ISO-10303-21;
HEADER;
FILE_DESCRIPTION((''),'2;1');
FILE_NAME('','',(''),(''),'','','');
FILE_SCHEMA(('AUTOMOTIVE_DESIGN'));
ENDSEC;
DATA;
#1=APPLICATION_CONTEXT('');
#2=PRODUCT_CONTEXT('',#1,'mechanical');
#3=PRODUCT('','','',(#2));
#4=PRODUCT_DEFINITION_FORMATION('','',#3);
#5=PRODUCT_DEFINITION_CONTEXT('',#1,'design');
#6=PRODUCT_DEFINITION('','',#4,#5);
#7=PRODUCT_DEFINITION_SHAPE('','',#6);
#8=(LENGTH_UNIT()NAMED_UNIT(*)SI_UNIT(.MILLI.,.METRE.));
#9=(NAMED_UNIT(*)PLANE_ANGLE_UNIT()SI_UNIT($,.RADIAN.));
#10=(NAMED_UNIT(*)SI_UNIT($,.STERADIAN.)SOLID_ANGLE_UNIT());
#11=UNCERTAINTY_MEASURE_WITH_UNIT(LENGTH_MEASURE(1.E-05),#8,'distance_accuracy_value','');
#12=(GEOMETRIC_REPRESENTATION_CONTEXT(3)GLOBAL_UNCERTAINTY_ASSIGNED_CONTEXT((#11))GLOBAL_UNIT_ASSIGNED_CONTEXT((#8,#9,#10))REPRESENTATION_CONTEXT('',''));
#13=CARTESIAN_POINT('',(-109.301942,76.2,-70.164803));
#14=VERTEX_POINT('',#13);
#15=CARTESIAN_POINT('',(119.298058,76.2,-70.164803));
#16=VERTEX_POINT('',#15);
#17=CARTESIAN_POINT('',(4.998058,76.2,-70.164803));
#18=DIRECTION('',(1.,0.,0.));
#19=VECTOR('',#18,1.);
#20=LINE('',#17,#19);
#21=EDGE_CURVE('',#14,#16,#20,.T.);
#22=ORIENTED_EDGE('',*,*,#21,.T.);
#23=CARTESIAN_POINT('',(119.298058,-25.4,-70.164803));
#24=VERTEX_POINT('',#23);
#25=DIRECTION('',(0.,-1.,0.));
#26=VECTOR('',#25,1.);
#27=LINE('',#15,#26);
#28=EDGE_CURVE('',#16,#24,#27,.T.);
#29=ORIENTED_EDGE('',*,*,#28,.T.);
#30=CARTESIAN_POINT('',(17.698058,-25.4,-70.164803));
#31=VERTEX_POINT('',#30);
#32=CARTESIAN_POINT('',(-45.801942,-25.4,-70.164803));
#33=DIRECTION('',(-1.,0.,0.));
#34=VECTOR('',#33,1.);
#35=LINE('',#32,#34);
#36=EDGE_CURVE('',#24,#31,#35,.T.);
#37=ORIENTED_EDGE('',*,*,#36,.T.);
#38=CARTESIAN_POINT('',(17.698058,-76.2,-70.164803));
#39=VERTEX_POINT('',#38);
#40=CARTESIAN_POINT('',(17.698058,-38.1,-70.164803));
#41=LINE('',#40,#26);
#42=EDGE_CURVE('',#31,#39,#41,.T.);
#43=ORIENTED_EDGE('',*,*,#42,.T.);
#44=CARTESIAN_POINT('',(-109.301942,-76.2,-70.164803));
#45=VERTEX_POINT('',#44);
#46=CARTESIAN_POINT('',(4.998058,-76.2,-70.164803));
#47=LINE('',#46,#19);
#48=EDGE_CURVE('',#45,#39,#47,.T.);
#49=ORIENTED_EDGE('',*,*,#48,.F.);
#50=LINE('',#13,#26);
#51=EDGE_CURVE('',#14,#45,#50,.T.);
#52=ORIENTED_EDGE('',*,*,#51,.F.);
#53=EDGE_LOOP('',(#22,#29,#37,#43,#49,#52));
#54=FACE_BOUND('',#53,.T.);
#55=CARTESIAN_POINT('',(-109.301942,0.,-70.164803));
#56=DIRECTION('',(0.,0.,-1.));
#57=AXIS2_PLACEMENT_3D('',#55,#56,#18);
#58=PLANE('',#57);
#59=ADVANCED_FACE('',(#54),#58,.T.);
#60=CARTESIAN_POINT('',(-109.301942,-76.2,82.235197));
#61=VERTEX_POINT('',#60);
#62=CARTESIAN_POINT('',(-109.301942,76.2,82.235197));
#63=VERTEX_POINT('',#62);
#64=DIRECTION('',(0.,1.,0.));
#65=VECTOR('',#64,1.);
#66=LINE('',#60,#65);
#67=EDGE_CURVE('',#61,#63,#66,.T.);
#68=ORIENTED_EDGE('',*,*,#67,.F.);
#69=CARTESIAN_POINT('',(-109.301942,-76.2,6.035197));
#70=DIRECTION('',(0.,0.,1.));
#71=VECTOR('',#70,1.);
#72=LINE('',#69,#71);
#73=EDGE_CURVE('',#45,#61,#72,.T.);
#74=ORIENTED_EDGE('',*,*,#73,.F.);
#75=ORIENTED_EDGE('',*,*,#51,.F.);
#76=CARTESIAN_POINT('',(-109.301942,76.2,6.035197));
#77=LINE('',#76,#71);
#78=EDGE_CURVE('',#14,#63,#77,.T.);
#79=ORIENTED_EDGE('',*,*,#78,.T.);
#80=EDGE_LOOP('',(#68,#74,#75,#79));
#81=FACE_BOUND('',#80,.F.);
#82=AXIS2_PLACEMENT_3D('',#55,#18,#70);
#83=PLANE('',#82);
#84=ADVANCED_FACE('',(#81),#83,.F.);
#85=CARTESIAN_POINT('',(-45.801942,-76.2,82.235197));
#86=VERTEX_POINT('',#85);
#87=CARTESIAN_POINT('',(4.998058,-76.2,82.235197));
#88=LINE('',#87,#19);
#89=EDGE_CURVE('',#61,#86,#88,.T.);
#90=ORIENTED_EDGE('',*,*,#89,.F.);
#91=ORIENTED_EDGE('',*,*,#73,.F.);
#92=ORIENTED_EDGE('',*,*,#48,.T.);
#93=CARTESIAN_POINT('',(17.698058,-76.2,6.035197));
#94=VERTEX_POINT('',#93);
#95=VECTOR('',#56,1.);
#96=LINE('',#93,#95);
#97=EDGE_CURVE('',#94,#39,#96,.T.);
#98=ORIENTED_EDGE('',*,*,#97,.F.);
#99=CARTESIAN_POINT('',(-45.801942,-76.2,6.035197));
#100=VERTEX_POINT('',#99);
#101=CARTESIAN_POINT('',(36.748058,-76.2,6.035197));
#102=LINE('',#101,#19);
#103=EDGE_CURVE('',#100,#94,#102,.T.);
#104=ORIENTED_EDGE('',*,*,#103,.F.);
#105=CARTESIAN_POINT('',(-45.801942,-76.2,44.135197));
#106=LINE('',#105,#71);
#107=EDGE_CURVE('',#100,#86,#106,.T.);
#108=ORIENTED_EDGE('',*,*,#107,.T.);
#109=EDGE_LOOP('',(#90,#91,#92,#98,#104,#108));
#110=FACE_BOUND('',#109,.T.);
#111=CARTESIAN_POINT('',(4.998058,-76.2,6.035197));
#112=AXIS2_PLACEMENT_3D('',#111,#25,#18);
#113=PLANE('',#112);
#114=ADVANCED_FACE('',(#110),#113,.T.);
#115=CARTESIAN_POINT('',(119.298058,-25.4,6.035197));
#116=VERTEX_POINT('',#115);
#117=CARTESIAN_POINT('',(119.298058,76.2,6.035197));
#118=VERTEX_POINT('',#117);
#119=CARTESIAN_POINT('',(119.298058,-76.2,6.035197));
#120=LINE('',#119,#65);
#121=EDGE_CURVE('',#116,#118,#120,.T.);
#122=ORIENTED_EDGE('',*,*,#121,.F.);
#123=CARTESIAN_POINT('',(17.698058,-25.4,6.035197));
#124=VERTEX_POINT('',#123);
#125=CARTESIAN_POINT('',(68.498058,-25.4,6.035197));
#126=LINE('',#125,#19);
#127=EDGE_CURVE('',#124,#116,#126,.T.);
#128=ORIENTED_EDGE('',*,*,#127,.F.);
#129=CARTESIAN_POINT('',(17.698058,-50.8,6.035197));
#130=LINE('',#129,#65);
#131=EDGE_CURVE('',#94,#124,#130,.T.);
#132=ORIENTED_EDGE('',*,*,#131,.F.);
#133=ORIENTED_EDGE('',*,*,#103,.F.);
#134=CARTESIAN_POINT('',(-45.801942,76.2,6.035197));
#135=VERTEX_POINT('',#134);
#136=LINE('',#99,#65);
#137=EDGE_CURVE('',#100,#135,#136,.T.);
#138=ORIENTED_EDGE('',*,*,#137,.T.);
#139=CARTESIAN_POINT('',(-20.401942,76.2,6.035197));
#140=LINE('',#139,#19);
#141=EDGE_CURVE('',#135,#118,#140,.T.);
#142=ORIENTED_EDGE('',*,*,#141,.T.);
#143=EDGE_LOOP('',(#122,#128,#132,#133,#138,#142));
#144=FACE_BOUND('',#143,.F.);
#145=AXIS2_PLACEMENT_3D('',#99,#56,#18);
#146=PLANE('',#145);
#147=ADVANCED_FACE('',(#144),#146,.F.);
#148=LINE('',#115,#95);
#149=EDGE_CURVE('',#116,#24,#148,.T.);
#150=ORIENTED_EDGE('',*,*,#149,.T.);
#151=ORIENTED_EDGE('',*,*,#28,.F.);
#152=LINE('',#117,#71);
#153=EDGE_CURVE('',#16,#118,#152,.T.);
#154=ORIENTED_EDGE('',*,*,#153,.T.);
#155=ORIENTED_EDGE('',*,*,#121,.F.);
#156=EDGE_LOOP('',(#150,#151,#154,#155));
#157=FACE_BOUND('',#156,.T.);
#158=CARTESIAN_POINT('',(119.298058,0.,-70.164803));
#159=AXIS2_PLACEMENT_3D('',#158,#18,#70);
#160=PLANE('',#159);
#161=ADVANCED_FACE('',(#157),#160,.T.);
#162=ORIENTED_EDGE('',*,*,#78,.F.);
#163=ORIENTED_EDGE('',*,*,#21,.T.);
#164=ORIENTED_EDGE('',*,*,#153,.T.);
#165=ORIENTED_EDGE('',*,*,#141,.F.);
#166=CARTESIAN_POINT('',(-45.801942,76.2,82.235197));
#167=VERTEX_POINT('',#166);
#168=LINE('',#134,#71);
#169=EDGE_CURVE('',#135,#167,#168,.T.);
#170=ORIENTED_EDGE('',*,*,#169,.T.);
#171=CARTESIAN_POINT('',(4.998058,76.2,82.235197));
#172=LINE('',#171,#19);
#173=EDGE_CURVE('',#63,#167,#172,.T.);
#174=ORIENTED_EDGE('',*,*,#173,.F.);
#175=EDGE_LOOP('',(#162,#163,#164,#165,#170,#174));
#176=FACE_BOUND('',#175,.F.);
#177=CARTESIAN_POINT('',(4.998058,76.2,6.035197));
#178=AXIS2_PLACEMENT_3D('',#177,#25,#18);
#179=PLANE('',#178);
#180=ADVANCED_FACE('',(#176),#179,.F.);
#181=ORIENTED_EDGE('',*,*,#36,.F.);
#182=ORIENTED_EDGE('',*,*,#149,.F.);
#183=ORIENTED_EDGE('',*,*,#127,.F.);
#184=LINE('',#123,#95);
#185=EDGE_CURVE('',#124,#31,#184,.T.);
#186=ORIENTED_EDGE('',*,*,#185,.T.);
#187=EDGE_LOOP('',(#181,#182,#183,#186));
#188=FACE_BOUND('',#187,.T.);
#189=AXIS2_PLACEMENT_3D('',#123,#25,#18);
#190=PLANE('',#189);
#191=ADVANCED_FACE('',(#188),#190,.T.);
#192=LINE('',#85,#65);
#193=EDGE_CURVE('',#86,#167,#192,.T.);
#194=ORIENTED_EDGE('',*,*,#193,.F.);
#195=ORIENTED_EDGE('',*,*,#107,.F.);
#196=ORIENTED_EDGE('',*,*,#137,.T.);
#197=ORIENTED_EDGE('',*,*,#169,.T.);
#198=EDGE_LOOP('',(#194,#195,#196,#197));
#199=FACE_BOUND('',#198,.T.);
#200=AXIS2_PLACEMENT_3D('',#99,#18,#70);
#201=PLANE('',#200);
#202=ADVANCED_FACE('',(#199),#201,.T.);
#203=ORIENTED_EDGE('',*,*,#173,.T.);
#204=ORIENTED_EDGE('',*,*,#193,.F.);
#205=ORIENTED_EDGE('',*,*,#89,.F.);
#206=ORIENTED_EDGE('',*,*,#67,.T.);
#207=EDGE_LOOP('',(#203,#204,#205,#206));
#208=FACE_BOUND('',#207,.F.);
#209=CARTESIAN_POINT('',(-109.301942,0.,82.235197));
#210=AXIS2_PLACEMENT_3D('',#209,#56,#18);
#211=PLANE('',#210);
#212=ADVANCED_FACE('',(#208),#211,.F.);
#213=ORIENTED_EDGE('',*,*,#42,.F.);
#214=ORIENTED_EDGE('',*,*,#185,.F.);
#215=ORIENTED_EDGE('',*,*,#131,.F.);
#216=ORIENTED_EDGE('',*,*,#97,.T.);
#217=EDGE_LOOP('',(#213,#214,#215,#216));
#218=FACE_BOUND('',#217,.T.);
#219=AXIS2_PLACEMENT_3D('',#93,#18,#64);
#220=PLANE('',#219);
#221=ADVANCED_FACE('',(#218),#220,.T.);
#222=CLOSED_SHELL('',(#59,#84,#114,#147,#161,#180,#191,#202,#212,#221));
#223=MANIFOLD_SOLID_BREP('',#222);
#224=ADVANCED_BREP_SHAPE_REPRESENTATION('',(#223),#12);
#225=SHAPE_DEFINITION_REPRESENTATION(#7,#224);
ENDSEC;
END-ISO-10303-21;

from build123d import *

# Parameters (mm, degrees)
F0_W     = 228.6
F0_H     = 152.4
F1_DEPTH = 76.2
F2_W     = 165.1
F2_H     = 76.2
F3_DEPTH = 152.401
F4_W     = 101.6
F4_H     = 50.8
F5_DEPTH = 76.201


with BuildPart() as f1:
    # F0 (on Front) → F1 (new body, symmetric)
    with BuildSketch(Plane.XZ):
        with Locations((4.998058, 6.035197)):
            Rectangle(F0_W, F0_H)
    extrude(amount=F1_DEPTH, both=True)

    # F2 (on face) → F3 (cut, through all)
    with BuildSketch(Plane.XZ.offset(76.2)):
        with Locations((36.748058, 44.135197)):
            Rectangle(F2_W, F2_H)
    extrude(amount=-F3_DEPTH, mode=Mode.SUBTRACT)

    # F4 (on face) → F5 (cut, through all)
    with BuildSketch(Plane.XY.offset(6.035197)):
        with Locations((68.498058, -50.8)):
            Rectangle(F4_W, F4_H)
    extrude(amount=-F5_DEPTH, mode=Mode.SUBTRACT)


solid = f1.part
